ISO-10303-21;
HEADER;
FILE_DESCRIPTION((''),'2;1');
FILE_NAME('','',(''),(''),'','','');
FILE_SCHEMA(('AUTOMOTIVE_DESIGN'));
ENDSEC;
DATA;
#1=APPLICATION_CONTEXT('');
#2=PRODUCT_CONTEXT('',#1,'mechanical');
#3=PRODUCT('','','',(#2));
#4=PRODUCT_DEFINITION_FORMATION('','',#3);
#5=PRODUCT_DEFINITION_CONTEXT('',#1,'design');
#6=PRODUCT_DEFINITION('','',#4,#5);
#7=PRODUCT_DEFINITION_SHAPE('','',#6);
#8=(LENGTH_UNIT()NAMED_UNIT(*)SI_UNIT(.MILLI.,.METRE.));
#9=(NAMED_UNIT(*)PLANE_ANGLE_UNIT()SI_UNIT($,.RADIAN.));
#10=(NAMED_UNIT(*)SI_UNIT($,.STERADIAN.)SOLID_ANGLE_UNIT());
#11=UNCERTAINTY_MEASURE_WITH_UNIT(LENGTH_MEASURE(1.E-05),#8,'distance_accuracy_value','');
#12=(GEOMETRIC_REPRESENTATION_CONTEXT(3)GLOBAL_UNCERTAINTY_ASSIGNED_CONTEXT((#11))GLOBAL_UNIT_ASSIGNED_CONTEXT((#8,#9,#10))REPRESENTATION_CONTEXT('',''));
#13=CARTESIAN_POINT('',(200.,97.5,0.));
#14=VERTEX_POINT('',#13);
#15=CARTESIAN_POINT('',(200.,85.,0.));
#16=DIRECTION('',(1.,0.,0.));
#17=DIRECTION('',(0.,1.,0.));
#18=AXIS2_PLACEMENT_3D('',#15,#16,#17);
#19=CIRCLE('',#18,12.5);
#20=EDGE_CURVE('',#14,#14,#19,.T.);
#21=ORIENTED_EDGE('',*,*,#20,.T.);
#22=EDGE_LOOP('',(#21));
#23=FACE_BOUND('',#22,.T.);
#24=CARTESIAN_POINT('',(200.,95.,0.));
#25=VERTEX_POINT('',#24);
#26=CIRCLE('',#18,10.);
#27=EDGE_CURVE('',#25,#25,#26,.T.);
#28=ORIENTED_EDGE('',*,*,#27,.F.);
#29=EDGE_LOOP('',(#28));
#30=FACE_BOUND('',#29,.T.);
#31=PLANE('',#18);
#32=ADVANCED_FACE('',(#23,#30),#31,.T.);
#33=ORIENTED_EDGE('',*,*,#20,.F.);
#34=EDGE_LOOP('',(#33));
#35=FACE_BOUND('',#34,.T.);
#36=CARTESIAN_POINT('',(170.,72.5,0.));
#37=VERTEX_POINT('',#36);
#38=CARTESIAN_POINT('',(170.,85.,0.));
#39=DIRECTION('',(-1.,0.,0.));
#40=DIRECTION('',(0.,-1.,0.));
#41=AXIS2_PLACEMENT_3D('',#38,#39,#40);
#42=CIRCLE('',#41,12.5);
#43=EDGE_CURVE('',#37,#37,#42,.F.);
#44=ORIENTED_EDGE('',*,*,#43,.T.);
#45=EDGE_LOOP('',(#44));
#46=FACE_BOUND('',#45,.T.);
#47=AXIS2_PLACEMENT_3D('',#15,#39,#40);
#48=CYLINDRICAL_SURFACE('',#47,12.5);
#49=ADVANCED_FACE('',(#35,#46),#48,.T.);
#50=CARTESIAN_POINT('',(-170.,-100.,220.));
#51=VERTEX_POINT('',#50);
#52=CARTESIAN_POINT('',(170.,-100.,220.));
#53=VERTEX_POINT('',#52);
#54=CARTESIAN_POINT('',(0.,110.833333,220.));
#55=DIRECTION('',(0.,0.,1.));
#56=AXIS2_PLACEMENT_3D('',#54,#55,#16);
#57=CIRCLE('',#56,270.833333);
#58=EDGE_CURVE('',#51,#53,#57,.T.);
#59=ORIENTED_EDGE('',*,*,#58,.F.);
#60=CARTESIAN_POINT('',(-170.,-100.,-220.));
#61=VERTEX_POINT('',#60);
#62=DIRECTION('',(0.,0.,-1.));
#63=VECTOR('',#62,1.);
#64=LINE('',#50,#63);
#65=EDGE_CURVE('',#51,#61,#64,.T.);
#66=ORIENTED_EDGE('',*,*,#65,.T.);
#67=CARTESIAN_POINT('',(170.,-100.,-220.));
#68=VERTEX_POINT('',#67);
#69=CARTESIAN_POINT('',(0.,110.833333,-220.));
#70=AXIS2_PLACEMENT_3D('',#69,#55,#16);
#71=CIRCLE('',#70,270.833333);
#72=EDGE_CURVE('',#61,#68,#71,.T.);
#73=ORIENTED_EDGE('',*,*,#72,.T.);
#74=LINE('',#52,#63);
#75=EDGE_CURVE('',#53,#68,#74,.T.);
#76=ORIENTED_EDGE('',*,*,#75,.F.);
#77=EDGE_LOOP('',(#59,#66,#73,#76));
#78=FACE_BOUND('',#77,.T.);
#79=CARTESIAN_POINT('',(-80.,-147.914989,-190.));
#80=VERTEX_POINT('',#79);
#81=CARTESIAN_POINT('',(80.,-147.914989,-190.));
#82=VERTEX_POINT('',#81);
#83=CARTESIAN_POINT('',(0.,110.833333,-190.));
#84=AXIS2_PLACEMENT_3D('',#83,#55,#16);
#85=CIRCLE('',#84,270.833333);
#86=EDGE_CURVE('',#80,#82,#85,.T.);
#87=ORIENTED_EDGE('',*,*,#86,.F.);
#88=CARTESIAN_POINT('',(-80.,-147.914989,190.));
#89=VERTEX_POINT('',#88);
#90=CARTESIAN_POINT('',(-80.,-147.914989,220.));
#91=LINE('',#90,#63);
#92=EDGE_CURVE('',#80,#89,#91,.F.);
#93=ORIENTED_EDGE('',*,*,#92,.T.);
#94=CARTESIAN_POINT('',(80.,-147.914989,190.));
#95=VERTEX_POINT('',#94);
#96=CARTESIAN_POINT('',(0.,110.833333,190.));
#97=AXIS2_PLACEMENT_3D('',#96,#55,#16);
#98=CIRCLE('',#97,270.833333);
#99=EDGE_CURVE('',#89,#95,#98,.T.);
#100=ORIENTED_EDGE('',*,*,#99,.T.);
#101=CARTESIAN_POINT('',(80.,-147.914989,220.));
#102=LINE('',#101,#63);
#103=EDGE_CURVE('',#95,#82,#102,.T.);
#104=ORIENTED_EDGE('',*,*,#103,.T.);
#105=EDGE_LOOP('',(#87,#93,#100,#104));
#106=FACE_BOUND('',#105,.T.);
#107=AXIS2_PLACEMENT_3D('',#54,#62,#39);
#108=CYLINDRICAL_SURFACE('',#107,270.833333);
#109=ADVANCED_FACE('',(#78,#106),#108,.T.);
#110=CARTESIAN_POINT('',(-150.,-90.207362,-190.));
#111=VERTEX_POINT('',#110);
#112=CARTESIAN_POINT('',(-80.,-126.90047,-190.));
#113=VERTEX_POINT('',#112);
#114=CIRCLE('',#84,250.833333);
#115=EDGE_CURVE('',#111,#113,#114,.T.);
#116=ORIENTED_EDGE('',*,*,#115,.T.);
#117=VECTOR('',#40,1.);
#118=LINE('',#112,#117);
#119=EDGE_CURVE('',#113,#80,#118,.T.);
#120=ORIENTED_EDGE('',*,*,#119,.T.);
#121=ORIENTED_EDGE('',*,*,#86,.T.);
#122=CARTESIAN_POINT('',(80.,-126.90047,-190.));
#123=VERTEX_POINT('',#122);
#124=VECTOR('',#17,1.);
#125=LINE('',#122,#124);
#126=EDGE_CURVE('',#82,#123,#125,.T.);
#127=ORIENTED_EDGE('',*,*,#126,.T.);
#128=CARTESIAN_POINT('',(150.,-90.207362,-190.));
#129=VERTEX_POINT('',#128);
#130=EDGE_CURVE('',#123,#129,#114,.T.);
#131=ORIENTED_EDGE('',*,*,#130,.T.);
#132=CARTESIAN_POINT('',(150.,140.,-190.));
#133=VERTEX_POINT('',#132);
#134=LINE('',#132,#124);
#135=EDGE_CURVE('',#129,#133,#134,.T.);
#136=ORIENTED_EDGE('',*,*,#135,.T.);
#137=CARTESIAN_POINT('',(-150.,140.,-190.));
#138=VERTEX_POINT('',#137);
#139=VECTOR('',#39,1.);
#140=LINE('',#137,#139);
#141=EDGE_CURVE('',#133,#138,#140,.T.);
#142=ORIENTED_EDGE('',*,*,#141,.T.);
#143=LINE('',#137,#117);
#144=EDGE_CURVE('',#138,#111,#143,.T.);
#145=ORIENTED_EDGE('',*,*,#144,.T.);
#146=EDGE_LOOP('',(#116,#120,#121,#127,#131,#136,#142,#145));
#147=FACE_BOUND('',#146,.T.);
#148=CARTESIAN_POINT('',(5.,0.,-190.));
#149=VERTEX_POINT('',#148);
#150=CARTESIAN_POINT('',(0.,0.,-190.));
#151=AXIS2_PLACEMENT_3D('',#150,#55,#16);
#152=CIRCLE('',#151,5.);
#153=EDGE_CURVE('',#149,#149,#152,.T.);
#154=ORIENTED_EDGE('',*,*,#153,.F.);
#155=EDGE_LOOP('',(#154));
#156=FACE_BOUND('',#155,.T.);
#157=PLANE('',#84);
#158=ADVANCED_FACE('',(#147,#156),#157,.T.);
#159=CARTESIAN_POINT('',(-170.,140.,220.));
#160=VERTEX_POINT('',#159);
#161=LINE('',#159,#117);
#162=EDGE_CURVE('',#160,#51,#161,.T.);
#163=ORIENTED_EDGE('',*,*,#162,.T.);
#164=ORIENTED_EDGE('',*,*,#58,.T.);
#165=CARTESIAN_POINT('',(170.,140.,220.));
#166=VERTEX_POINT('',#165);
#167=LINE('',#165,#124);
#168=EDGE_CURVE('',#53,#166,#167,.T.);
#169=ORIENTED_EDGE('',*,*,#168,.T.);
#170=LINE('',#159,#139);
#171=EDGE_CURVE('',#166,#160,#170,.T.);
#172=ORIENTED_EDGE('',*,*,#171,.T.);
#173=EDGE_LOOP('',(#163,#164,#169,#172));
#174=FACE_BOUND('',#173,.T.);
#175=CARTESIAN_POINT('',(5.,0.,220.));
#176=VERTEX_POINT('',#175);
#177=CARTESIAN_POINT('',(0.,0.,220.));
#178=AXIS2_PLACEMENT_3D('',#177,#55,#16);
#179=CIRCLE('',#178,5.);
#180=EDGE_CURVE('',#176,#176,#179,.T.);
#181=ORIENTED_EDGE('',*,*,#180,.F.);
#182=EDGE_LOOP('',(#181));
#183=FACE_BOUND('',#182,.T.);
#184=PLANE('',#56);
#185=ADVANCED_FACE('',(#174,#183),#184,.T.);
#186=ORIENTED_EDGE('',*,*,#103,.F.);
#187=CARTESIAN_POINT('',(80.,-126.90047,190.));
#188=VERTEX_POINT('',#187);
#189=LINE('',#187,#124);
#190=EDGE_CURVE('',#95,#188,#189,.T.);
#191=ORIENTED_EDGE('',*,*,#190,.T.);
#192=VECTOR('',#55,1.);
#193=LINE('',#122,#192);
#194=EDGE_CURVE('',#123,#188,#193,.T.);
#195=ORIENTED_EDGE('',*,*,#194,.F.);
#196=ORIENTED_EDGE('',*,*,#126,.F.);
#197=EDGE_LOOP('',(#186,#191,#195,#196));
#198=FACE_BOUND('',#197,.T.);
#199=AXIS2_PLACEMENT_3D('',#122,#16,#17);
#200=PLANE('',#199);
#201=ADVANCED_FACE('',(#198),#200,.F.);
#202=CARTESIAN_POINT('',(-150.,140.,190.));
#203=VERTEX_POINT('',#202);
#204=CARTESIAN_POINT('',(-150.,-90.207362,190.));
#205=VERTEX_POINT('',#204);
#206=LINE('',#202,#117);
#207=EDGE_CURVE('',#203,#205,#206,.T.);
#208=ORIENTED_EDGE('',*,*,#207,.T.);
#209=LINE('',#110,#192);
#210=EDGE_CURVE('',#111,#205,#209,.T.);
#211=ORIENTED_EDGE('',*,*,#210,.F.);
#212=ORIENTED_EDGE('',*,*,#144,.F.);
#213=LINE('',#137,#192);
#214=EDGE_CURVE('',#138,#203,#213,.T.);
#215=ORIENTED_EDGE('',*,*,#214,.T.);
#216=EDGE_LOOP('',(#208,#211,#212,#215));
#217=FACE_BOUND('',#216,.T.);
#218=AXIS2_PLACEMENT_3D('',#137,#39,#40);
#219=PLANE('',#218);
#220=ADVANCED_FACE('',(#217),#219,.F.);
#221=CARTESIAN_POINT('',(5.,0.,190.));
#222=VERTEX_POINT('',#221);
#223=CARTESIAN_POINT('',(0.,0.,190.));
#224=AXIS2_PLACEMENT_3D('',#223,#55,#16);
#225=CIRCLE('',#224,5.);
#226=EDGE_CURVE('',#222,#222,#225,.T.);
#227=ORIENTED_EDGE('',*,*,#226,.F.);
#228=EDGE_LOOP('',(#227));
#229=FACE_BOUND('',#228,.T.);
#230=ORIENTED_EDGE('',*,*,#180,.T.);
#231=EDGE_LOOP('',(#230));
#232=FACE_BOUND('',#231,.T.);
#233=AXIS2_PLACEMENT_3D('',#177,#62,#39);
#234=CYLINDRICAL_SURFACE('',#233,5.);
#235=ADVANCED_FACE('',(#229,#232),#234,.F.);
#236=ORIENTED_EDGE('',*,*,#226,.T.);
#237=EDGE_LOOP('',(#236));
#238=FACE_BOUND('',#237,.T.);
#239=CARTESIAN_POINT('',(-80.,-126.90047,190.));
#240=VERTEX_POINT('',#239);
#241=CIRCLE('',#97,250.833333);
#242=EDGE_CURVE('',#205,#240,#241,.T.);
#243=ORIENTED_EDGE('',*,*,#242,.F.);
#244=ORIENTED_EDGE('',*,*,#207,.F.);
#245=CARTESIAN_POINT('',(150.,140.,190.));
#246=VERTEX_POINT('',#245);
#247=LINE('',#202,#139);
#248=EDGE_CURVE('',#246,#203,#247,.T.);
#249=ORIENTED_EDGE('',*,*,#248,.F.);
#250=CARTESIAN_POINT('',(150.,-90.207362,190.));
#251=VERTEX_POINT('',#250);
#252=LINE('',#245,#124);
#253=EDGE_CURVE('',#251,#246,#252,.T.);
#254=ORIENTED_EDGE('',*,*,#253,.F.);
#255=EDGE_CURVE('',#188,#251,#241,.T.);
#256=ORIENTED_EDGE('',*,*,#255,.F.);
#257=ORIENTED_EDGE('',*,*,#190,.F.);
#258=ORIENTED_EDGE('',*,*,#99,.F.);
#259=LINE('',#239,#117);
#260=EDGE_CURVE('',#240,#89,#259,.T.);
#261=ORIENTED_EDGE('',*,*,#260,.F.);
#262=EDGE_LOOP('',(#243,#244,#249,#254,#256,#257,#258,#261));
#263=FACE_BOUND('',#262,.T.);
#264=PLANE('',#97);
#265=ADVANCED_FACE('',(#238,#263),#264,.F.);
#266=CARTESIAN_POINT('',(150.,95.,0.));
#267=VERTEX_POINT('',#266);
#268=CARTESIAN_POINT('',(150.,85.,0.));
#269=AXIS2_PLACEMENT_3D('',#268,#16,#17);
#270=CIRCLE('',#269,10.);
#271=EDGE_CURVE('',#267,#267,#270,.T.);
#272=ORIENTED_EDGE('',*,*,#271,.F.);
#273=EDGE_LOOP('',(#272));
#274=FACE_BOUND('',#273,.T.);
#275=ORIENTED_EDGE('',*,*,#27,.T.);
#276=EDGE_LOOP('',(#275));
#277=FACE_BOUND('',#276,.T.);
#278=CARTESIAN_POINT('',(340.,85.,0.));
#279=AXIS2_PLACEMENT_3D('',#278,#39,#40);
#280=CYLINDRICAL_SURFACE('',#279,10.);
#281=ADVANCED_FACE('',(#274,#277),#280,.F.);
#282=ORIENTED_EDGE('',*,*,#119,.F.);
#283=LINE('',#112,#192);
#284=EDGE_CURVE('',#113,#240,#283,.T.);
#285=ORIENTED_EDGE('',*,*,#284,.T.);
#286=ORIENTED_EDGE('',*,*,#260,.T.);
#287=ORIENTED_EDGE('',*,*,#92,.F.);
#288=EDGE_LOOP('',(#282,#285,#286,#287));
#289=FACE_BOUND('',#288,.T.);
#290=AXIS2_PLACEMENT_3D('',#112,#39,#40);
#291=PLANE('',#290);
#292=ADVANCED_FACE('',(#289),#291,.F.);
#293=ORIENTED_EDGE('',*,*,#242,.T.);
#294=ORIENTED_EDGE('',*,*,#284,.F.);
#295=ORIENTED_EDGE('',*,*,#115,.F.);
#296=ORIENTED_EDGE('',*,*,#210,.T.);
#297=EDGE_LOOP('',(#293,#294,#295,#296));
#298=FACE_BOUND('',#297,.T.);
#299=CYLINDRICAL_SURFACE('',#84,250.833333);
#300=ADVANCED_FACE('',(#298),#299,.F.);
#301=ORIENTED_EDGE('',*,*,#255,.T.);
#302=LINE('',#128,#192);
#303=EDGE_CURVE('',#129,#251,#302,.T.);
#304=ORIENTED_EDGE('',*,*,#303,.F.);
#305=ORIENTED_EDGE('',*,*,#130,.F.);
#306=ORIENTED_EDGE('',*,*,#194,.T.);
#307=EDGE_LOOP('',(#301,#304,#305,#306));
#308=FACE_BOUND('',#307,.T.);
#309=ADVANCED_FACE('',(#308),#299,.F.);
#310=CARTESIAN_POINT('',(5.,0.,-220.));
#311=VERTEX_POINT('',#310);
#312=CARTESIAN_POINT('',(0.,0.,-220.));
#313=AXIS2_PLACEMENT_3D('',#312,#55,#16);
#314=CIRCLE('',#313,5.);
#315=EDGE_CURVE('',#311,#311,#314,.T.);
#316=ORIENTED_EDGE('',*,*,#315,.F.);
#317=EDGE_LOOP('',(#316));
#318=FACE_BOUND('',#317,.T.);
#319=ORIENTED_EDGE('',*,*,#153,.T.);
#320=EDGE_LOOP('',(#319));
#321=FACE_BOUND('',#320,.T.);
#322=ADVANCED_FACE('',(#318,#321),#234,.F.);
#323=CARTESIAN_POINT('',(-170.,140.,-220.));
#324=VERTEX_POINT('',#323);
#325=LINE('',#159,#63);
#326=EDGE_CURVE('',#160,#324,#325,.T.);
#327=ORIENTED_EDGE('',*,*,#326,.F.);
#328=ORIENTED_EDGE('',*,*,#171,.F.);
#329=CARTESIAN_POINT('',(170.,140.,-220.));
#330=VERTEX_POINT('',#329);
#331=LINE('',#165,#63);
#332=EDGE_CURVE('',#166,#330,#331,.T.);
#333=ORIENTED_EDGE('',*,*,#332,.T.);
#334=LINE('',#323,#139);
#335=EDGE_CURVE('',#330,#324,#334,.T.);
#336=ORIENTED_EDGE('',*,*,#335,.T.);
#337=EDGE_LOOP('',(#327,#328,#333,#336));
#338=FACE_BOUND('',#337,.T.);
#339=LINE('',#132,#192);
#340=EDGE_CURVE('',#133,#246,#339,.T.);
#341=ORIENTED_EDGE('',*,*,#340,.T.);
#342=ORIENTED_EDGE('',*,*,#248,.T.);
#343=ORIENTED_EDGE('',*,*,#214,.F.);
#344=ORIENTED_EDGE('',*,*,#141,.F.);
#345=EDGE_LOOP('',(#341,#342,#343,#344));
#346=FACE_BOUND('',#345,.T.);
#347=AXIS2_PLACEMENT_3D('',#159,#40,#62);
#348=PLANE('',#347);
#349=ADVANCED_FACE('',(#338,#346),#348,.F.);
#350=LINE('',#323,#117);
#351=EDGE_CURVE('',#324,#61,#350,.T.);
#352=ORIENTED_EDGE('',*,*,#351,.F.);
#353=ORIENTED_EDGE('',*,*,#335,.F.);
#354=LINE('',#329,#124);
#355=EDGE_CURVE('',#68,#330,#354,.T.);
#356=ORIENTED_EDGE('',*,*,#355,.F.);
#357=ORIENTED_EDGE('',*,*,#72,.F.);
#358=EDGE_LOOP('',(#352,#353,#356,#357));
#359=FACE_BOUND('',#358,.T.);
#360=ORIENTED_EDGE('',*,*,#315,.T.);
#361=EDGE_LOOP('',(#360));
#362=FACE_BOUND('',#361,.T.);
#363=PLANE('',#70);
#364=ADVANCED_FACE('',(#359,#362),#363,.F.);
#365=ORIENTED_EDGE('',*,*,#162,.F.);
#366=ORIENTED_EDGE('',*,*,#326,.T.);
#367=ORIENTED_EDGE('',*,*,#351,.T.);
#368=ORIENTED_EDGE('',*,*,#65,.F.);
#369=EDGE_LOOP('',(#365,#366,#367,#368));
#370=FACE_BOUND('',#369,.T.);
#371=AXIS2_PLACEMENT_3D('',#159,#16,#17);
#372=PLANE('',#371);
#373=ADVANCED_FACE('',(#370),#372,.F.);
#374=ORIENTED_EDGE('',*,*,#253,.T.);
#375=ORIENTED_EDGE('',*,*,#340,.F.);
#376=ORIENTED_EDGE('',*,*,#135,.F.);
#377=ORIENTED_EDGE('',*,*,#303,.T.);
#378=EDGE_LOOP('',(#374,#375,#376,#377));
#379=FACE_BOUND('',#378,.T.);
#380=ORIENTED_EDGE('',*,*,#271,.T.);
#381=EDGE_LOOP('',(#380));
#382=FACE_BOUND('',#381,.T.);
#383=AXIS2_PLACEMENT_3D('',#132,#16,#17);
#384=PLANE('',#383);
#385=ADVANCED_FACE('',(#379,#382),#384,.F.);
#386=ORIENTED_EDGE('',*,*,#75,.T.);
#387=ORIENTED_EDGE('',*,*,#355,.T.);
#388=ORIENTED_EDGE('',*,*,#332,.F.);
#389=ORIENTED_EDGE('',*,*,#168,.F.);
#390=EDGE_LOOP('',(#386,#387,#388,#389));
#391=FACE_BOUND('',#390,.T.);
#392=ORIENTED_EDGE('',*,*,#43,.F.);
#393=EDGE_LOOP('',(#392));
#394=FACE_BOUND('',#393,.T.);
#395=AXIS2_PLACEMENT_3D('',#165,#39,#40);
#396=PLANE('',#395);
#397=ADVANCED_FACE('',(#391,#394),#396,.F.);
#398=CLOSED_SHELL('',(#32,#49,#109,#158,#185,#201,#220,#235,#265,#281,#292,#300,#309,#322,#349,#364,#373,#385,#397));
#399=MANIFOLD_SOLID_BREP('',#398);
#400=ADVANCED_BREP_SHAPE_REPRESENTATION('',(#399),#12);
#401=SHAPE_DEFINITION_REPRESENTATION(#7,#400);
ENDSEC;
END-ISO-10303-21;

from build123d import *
from build123d.topology import SkipClean

# Parameters (mm, degrees)
SKETCH1_R           = 5
BOSS_EXTRUDE1_DEPTH = 220
CUT_EXTRUDE1_DEPTH  = 190
SKETCH4_R           = 10
CUT_EXTRUDE2_DEPTH  = 190
SKETCH5_R           = 12.5
SKETCH5_R_2         = 10
BOSS_EXTRUDE2_DEPTH = 30


with BuildPart() as part:
    # Sketch1 → Boss-Extrude1 (new, symmetric)
    with BuildSketch(Plane.XY):
        with BuildLine():
            Line((-170, 140), (170, 140))
            Line((170, 140), (170, -100))
            ThreePointArc((170, -100), (0, -160), (-170, -100))
            Line((-170, -100), (-170, 140))
        make_face()
        Circle(SKETCH1_R, mode=Mode.SUBTRACT)
    extrude(amount=BOSS_EXTRUDE1_DEPTH, both=True)

    # Sketch3 → Cut-Extrude1 (cut, symmetric)
    with BuildSketch(Plane.XY):
        with BuildLine():
            Line((-150, 140), (150, 140))
            Line((150, 140), (150, -90.207361828))
            ThreePointArc((150, -90.207361828), (116.45426588, -111.328240908), (80, -126.900469714))
            Line((80, -126.900469714), (80, -159.889880276))
            ThreePointArc((80, -159.889880276), (0, -171.462714083), (-80, -159.889880276))
            Line((-80, -159.889880276), (-80, -126.900469714))
            ThreePointArc((-80, -126.900469714), (-116.45426588, -111.328240908), (-150, -90.207361828))
            Line((-150, -90.207361828), (-150, 140))
        make_face()
    extrude(amount=CUT_EXTRUDE1_DEPTH, both=True, mode=Mode.SUBTRACT)

    # Sketch4 → Cut-Extrude2 (cut, symmetric)
    with BuildSketch(Plane.ZY.offset(-150)):
        with Locations(Location((0, 85, 0), (0, 0, 270))):
            Circle(SKETCH4_R)
    extrude(amount=CUT_EXTRUDE2_DEPTH, both=True, mode=Mode.SUBTRACT)

    # Sketch5 → Boss-Extrude2 (add)
    with SkipClean():  # the faces are left unmerged after this step: merging them gives an invalid solid
        with BuildSketch(Plane(origin=(170, 0, 0), x_dir=(0, 0, -1), z_dir=(1, 0, 0))):
            with Locations(Location((0, 85, 0), (0, 0, 270))):
                Circle(SKETCH5_R)
            with Locations(Location((0, 85, 0), (0, 0, 90))):
                Circle(SKETCH5_R_2, mode=Mode.SUBTRACT)
        extrude(amount=BOSS_EXTRUDE2_DEPTH)


solid = part.part
